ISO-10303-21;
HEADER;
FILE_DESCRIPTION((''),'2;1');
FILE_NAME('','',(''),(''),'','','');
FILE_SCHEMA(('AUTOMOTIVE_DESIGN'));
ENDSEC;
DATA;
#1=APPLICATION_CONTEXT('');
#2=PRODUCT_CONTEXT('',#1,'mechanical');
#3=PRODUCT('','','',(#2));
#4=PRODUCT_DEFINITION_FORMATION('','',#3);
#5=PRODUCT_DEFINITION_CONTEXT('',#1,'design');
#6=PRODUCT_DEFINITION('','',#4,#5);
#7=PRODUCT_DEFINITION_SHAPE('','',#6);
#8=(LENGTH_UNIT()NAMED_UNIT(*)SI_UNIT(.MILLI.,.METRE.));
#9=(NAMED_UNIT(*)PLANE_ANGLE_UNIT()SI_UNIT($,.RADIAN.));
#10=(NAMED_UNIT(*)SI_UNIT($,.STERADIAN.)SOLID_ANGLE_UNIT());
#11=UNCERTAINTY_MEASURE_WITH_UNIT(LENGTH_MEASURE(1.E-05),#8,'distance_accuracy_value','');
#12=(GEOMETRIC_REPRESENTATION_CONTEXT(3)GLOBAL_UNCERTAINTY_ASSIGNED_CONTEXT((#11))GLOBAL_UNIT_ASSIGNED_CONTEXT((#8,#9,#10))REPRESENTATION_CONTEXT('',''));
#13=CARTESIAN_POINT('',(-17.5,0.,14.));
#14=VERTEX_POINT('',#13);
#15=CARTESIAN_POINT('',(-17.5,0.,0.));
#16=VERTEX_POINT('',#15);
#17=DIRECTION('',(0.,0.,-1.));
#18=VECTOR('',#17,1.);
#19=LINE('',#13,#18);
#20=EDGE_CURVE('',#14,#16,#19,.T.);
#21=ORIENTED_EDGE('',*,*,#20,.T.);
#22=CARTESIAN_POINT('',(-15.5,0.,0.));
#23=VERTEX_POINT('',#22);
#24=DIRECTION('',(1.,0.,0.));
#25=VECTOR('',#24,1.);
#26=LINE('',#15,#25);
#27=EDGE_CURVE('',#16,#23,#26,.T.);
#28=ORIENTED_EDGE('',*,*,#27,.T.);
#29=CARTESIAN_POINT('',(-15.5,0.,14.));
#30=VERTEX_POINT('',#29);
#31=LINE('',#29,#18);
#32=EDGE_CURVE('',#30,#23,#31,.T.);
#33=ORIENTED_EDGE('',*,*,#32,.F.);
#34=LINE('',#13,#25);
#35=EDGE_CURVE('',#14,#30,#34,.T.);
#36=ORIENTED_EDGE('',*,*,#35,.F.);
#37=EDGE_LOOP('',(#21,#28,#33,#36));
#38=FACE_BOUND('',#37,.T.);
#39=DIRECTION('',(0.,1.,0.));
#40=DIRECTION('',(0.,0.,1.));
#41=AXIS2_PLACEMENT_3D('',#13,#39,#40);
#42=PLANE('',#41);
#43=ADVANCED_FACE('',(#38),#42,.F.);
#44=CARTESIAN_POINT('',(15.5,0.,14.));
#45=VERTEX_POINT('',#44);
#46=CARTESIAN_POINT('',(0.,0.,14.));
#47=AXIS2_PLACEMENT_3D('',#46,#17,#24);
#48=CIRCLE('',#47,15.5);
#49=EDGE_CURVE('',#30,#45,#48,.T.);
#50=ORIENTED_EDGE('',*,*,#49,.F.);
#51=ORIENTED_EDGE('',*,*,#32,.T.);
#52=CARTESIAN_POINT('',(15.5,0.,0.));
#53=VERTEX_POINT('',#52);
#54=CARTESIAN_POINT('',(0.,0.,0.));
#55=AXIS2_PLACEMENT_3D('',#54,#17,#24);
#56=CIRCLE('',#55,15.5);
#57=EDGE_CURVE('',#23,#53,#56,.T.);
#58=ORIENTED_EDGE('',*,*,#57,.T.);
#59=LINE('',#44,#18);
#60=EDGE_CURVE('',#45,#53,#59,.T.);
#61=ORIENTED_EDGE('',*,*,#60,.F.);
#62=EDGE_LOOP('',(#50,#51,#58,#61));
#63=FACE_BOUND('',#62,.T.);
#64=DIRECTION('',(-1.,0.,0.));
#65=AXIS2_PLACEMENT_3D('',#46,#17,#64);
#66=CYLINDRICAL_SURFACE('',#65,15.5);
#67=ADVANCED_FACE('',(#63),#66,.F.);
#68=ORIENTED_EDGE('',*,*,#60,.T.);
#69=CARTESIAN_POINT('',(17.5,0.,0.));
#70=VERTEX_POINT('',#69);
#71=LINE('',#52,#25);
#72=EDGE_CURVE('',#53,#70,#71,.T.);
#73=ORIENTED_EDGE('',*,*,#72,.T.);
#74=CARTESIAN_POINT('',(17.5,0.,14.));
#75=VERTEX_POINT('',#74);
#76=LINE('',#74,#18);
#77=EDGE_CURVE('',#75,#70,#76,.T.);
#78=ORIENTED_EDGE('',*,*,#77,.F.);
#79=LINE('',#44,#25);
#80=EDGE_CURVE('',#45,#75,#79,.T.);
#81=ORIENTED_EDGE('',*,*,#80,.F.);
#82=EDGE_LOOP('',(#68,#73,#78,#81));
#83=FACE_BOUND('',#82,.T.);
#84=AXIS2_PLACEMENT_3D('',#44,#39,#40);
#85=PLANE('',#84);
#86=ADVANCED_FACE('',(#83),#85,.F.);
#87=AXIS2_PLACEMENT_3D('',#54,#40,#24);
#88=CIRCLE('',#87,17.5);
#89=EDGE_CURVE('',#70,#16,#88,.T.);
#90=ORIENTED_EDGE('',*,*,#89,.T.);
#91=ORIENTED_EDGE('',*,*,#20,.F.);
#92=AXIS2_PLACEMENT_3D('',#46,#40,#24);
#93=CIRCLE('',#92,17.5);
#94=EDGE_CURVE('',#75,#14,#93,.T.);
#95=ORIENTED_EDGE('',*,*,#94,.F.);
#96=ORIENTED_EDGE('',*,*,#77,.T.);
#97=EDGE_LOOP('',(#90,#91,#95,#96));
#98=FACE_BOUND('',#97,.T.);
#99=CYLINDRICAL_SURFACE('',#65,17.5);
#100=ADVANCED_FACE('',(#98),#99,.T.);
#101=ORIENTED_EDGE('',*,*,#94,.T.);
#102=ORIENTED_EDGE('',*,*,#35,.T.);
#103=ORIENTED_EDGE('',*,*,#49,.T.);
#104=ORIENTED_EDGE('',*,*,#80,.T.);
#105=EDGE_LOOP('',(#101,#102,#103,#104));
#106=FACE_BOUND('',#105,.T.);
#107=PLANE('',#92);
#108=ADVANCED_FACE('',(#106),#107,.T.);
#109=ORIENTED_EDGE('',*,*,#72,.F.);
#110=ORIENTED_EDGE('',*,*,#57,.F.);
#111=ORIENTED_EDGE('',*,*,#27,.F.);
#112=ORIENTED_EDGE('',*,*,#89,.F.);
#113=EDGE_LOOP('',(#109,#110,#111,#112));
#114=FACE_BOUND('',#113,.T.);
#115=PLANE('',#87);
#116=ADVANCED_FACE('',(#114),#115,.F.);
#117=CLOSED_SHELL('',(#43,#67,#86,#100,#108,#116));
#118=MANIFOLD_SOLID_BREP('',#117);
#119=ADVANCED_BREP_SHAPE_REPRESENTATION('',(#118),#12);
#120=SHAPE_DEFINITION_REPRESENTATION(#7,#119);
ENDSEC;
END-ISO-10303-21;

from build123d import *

# Parameters (mm, degrees)
SALIENTE_EXTRUIR1_DEPTH = 14


with BuildPart() as part:
    # Croquis1 → Saliente-Extruir1 (new body)
    with BuildSketch(Plane.XY):
        with BuildLine():
            Line((-17.5, 0), (-15.5, 0))
            ThreePointArc((-15.5, 0), (0, 15.5), (15.5, 0))
            Line((15.5, 0), (17.5, 0))
            ThreePointArc((17.5, 0), (0, 17.5), (-17.5, 0))
        make_face()
    extrude(amount=SALIENTE_EXTRUIR1_DEPTH)


solid = part.part
